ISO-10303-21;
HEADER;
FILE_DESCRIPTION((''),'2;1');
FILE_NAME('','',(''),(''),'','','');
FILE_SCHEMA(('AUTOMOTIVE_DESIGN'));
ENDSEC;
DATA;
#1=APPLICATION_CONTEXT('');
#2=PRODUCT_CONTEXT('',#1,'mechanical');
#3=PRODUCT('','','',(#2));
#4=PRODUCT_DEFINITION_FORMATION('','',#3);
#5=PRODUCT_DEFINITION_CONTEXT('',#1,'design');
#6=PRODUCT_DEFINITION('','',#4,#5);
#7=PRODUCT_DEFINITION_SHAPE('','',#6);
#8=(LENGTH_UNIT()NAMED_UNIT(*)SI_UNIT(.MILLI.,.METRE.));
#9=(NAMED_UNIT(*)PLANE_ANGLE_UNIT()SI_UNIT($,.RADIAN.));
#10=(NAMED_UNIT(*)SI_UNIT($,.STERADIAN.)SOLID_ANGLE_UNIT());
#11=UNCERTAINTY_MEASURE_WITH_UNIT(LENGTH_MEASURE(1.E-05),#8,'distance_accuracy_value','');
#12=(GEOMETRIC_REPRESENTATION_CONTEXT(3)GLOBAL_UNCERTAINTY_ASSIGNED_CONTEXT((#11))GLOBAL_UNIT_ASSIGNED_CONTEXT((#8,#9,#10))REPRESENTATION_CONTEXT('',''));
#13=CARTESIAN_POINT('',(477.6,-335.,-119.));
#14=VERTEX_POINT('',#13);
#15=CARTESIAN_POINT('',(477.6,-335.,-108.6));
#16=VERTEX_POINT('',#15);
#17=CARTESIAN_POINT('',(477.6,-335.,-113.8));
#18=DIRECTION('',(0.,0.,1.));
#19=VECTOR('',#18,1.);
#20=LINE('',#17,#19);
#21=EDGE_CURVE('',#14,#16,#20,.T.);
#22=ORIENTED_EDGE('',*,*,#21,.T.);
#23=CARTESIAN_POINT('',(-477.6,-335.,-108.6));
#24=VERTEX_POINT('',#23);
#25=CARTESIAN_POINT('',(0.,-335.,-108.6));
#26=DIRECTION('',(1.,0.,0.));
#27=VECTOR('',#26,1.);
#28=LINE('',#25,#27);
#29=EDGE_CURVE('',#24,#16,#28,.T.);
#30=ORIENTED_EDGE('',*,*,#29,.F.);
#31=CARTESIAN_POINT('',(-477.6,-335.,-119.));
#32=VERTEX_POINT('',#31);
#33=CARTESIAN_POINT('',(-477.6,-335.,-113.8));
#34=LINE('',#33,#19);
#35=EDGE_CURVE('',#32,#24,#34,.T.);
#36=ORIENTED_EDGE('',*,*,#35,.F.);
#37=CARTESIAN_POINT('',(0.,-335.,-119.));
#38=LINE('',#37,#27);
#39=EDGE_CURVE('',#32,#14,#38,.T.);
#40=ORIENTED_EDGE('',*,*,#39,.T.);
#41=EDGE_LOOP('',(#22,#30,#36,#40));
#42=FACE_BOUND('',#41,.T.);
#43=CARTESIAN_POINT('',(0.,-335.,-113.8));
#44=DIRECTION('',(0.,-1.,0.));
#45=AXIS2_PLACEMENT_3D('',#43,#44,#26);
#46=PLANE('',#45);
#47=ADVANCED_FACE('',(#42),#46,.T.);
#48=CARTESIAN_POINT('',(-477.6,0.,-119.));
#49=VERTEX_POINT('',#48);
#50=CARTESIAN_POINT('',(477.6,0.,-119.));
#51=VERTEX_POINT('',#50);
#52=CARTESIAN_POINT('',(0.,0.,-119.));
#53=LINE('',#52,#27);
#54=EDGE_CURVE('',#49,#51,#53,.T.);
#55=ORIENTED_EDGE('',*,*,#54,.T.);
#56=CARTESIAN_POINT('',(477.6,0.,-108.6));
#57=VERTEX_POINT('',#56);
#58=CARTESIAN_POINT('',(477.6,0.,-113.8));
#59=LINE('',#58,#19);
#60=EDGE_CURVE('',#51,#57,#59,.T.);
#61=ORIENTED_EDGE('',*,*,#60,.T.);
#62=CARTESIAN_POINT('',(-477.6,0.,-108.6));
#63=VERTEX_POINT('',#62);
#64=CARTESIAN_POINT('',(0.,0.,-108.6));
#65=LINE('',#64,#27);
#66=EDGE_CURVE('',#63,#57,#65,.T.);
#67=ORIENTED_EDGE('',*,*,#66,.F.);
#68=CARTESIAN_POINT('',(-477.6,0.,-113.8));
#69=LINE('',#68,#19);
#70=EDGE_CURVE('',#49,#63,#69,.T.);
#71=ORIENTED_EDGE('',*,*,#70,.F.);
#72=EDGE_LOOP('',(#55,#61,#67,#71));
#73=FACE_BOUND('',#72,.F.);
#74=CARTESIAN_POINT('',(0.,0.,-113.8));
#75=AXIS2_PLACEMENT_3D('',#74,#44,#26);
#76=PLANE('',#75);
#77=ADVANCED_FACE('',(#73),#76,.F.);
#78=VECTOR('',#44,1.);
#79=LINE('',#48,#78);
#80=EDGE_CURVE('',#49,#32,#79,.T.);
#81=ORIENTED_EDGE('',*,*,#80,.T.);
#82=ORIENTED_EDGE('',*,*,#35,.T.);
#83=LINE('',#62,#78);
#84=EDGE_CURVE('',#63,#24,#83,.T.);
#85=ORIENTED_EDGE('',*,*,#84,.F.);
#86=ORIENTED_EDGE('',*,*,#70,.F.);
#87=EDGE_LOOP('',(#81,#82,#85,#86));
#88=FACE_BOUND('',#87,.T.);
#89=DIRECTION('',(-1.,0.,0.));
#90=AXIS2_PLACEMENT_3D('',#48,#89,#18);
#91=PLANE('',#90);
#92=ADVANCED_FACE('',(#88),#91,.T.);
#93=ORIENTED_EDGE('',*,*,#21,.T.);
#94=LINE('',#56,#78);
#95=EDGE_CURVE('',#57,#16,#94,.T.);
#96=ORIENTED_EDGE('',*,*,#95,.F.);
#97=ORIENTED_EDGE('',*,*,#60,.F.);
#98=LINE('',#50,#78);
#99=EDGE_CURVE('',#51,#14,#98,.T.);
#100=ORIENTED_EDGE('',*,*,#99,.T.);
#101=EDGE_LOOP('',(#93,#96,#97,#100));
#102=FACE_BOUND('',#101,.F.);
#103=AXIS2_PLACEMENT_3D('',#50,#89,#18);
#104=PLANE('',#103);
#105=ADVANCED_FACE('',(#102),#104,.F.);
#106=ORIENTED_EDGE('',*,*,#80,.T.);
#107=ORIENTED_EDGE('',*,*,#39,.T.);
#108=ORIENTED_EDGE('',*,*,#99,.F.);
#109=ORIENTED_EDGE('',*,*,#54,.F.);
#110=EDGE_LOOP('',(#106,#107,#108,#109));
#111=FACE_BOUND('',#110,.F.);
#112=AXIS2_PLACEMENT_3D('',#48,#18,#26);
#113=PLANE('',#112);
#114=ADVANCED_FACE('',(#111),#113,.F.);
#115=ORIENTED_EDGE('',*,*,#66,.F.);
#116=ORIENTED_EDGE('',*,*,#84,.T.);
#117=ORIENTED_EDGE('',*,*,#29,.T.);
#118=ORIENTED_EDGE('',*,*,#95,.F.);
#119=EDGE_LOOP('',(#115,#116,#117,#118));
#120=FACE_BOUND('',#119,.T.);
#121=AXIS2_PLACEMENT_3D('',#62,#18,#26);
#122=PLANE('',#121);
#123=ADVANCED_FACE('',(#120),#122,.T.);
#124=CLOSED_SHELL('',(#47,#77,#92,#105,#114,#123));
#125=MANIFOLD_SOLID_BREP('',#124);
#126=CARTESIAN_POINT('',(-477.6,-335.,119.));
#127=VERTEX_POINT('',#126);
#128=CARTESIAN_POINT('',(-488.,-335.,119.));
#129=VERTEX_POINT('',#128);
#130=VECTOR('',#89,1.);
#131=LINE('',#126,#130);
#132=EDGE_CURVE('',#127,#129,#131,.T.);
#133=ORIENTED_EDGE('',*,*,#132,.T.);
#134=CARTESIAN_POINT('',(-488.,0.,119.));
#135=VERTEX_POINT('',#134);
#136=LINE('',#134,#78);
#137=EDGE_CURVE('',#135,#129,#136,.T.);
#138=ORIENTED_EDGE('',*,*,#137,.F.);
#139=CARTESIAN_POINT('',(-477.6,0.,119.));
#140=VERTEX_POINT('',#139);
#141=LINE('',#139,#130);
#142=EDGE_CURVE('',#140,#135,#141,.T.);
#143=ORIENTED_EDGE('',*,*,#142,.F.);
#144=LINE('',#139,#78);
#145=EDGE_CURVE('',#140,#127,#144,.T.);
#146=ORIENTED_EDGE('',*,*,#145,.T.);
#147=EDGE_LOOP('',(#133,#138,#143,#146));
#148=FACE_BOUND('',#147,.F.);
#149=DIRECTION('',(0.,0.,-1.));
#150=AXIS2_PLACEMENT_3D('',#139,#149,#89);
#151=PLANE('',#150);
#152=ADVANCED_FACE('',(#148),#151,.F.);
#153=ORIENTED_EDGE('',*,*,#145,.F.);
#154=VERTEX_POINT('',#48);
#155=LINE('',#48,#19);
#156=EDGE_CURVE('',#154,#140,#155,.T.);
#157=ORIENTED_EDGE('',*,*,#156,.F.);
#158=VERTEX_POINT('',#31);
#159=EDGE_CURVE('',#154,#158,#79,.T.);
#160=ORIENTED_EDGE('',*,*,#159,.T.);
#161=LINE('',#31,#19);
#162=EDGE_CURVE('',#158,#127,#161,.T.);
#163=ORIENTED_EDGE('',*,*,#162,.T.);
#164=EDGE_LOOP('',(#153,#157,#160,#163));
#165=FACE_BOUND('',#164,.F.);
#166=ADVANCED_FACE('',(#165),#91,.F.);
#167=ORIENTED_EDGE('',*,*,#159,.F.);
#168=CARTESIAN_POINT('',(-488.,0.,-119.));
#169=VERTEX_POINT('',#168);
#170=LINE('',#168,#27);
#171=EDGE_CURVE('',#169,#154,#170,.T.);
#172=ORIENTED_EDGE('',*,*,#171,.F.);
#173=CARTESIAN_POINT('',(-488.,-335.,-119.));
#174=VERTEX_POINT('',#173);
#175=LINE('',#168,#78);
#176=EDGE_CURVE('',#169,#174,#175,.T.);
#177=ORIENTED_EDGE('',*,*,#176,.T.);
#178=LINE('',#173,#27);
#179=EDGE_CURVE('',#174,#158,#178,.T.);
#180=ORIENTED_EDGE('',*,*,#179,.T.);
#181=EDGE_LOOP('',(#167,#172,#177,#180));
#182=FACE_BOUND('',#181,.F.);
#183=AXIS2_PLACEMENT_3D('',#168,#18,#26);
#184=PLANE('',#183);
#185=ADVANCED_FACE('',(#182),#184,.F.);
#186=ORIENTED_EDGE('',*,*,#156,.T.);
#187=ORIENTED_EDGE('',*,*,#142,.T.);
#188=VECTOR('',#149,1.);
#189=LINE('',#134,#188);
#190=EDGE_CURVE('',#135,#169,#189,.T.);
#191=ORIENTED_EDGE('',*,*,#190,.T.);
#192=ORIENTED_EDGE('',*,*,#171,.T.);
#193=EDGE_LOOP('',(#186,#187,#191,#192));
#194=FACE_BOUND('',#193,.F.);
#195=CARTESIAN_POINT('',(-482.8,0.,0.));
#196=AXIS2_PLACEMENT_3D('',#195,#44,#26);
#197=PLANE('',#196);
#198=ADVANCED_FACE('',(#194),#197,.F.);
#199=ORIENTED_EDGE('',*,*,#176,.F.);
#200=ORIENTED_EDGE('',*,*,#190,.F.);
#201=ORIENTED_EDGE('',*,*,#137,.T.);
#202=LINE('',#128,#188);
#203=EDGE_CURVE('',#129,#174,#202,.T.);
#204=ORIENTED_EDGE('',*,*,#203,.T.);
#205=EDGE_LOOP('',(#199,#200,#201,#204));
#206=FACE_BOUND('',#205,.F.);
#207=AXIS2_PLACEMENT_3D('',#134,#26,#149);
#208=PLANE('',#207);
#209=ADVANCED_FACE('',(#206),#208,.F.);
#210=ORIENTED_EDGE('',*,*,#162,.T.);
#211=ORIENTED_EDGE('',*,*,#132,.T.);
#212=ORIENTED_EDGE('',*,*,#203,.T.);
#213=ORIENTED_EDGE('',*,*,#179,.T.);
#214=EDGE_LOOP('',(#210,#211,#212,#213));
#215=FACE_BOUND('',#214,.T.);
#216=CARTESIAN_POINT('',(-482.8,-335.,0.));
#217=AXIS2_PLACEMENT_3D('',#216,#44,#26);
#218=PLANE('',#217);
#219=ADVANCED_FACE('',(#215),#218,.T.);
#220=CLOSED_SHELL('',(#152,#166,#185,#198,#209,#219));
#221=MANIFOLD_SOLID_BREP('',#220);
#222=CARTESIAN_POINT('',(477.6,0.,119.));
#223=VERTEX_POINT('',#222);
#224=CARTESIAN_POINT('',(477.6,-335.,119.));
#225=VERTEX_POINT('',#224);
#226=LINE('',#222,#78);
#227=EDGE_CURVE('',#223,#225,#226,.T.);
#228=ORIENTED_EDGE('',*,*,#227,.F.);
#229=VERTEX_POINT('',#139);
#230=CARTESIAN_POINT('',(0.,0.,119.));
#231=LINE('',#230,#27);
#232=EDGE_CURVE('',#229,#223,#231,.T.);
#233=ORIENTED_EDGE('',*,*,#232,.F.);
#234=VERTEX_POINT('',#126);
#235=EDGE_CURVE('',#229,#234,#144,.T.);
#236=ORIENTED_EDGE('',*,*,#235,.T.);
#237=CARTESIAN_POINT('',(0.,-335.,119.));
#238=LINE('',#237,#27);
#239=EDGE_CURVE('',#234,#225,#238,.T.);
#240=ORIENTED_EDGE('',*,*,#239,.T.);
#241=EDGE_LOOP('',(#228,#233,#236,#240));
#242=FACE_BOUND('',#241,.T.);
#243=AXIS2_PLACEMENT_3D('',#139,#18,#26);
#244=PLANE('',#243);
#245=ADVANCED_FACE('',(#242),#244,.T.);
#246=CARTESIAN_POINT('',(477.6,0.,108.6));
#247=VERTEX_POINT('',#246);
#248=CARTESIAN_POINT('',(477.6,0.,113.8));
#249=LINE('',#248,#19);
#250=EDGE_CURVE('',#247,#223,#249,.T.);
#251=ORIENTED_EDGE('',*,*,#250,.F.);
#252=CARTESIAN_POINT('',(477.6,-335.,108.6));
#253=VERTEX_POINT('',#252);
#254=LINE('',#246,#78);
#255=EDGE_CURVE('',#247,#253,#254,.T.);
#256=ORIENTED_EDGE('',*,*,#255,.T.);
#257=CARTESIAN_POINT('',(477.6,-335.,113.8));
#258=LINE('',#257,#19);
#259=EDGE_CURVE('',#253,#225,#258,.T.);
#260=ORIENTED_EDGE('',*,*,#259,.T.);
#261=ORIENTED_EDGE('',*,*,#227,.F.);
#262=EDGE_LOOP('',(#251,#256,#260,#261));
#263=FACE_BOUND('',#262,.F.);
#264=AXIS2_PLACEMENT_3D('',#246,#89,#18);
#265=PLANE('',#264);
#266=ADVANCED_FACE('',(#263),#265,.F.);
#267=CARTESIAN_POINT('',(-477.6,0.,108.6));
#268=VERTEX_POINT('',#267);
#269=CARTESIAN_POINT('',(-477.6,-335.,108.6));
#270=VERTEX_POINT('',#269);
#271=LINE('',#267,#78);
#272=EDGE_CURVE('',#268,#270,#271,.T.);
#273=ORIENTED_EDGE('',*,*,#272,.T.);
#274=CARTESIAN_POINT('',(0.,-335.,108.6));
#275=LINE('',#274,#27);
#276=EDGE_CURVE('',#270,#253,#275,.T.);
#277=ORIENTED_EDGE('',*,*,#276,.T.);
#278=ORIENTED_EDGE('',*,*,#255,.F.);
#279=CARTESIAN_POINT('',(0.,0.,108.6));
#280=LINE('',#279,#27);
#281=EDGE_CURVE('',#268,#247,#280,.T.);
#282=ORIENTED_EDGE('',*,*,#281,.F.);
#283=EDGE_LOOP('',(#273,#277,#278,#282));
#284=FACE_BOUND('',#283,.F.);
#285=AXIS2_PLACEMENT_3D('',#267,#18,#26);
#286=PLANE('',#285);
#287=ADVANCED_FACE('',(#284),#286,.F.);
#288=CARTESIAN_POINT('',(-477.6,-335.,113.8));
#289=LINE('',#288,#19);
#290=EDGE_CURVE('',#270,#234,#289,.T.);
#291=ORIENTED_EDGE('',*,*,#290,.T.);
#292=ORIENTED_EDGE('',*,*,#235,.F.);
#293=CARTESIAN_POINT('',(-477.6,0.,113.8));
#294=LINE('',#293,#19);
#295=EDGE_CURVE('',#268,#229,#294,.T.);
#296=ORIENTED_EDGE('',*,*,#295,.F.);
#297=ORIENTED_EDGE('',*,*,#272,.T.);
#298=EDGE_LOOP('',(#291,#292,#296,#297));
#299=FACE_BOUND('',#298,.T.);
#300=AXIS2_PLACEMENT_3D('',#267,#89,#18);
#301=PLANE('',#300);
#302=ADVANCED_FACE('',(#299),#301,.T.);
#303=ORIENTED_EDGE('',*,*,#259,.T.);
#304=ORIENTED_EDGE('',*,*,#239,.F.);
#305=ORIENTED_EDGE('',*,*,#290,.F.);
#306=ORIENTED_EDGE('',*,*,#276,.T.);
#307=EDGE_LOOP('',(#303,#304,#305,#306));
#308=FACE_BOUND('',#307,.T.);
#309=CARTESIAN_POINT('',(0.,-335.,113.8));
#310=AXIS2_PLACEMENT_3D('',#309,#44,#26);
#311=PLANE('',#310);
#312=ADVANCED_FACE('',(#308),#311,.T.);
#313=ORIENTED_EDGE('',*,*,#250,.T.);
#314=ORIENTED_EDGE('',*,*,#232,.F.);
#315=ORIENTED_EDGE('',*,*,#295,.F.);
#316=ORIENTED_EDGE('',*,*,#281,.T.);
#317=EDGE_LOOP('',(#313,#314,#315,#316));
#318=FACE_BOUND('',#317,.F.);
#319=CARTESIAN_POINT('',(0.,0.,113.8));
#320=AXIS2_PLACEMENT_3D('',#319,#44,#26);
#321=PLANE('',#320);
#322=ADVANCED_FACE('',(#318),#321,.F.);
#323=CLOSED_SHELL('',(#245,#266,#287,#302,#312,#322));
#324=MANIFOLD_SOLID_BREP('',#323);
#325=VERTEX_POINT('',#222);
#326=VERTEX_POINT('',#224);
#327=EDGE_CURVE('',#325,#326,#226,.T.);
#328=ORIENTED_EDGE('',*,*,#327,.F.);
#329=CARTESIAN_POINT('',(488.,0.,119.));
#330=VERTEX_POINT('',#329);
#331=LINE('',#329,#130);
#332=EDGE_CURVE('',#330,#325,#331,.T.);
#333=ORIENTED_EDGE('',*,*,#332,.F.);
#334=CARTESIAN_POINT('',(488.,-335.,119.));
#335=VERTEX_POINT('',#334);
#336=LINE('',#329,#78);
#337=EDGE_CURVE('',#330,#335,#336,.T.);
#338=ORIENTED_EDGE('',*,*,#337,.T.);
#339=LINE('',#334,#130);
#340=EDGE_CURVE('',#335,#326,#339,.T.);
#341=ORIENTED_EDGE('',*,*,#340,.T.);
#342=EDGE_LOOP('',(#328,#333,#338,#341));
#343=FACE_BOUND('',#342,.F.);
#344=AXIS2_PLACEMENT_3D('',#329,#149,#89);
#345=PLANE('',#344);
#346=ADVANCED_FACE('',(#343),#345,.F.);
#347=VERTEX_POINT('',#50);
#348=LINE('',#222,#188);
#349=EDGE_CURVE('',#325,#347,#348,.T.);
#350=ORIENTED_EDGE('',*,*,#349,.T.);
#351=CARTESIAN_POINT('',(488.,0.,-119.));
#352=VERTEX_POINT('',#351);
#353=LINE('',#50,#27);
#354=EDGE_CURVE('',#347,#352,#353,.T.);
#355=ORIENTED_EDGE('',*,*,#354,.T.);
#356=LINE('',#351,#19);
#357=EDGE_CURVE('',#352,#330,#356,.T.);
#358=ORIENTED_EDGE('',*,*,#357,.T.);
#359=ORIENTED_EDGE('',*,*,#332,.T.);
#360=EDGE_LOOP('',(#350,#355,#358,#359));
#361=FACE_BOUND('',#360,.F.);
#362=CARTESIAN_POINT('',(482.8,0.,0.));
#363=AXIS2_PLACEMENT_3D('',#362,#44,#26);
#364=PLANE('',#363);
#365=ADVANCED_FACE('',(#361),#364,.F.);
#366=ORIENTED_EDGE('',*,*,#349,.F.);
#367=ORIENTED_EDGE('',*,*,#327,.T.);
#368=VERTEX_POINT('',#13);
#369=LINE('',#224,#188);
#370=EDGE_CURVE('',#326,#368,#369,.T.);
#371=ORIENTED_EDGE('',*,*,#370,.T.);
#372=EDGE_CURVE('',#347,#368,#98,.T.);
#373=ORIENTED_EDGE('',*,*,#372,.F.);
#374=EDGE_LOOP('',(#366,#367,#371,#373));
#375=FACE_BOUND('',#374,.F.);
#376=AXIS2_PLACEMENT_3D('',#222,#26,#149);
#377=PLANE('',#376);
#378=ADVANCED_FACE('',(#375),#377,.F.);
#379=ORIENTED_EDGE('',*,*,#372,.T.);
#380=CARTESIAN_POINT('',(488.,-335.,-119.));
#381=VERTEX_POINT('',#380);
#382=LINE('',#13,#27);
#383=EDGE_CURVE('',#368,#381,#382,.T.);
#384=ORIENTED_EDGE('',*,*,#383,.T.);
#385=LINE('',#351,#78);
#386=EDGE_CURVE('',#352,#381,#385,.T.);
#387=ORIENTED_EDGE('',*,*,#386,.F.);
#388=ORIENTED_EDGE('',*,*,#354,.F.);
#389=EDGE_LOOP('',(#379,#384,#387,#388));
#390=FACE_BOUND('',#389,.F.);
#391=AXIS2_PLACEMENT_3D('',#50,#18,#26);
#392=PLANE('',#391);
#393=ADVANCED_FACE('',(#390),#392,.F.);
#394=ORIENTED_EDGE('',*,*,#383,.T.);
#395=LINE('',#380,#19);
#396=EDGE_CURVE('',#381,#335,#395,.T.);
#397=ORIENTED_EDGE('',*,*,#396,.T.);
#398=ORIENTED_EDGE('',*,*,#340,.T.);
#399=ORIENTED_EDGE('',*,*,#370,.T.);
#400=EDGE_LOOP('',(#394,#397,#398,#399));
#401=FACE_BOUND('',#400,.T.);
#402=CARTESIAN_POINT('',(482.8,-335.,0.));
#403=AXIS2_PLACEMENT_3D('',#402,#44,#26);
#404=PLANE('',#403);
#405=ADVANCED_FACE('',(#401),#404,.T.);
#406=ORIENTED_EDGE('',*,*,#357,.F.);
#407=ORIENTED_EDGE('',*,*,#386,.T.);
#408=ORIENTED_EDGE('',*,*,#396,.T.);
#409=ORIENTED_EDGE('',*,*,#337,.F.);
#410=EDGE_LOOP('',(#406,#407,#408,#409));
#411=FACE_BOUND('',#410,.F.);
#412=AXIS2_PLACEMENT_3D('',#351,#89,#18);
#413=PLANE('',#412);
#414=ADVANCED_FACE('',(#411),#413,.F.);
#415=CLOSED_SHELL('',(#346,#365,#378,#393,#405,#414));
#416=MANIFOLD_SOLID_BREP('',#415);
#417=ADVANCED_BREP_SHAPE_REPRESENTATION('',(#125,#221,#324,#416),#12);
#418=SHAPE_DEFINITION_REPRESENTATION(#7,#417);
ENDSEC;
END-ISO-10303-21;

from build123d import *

# Parameters (mm, degrees)
F0_W     = 955.2
F0_H     = 10.4
F1_DEPTH = 335
F2_DEPTH = 335


with BuildPart() as f1:
    # F0 (on Front) → F1 (new body)
    with BuildSketch(Plane.XZ):
        with Locations((0, -113.8)):
            Rectangle(F0_W, F0_H)
    extrude(amount=F1_DEPTH)


with BuildPart() as f1b:
    # F0 (on Front) → F1, piece 2 (new body)
    with BuildSketch(Plane.XZ):
        with Locations((0, 113.8)):
            Rectangle(F0_W, F0_H)
    extrude(amount=F1_DEPTH)


with BuildPart() as f2:
    # F0 (on Front) → F2 (new body, through all)
    with BuildSketch(Plane.XZ):
        Polygon((-488, -119), (-477.6, -119), (-477.6, -108.6), (-477.6, 108.6), (-477.6, 119), (-488, 119), align=None)
    extrude(amount=F2_DEPTH)


with BuildPart() as f2b:
    # F0 (on Front) → F2, piece 2 (new body, through all)
    with BuildSketch(Plane.XZ):
        Polygon((477.6, -119), (488, -119), (488, 119), (477.6, 119), (477.6, 108.6), (477.6, -108.6), align=None)
    extrude(amount=F2_DEPTH)


solid = Compound([f1.part, f1b.part, f2.part, f2b.part])
